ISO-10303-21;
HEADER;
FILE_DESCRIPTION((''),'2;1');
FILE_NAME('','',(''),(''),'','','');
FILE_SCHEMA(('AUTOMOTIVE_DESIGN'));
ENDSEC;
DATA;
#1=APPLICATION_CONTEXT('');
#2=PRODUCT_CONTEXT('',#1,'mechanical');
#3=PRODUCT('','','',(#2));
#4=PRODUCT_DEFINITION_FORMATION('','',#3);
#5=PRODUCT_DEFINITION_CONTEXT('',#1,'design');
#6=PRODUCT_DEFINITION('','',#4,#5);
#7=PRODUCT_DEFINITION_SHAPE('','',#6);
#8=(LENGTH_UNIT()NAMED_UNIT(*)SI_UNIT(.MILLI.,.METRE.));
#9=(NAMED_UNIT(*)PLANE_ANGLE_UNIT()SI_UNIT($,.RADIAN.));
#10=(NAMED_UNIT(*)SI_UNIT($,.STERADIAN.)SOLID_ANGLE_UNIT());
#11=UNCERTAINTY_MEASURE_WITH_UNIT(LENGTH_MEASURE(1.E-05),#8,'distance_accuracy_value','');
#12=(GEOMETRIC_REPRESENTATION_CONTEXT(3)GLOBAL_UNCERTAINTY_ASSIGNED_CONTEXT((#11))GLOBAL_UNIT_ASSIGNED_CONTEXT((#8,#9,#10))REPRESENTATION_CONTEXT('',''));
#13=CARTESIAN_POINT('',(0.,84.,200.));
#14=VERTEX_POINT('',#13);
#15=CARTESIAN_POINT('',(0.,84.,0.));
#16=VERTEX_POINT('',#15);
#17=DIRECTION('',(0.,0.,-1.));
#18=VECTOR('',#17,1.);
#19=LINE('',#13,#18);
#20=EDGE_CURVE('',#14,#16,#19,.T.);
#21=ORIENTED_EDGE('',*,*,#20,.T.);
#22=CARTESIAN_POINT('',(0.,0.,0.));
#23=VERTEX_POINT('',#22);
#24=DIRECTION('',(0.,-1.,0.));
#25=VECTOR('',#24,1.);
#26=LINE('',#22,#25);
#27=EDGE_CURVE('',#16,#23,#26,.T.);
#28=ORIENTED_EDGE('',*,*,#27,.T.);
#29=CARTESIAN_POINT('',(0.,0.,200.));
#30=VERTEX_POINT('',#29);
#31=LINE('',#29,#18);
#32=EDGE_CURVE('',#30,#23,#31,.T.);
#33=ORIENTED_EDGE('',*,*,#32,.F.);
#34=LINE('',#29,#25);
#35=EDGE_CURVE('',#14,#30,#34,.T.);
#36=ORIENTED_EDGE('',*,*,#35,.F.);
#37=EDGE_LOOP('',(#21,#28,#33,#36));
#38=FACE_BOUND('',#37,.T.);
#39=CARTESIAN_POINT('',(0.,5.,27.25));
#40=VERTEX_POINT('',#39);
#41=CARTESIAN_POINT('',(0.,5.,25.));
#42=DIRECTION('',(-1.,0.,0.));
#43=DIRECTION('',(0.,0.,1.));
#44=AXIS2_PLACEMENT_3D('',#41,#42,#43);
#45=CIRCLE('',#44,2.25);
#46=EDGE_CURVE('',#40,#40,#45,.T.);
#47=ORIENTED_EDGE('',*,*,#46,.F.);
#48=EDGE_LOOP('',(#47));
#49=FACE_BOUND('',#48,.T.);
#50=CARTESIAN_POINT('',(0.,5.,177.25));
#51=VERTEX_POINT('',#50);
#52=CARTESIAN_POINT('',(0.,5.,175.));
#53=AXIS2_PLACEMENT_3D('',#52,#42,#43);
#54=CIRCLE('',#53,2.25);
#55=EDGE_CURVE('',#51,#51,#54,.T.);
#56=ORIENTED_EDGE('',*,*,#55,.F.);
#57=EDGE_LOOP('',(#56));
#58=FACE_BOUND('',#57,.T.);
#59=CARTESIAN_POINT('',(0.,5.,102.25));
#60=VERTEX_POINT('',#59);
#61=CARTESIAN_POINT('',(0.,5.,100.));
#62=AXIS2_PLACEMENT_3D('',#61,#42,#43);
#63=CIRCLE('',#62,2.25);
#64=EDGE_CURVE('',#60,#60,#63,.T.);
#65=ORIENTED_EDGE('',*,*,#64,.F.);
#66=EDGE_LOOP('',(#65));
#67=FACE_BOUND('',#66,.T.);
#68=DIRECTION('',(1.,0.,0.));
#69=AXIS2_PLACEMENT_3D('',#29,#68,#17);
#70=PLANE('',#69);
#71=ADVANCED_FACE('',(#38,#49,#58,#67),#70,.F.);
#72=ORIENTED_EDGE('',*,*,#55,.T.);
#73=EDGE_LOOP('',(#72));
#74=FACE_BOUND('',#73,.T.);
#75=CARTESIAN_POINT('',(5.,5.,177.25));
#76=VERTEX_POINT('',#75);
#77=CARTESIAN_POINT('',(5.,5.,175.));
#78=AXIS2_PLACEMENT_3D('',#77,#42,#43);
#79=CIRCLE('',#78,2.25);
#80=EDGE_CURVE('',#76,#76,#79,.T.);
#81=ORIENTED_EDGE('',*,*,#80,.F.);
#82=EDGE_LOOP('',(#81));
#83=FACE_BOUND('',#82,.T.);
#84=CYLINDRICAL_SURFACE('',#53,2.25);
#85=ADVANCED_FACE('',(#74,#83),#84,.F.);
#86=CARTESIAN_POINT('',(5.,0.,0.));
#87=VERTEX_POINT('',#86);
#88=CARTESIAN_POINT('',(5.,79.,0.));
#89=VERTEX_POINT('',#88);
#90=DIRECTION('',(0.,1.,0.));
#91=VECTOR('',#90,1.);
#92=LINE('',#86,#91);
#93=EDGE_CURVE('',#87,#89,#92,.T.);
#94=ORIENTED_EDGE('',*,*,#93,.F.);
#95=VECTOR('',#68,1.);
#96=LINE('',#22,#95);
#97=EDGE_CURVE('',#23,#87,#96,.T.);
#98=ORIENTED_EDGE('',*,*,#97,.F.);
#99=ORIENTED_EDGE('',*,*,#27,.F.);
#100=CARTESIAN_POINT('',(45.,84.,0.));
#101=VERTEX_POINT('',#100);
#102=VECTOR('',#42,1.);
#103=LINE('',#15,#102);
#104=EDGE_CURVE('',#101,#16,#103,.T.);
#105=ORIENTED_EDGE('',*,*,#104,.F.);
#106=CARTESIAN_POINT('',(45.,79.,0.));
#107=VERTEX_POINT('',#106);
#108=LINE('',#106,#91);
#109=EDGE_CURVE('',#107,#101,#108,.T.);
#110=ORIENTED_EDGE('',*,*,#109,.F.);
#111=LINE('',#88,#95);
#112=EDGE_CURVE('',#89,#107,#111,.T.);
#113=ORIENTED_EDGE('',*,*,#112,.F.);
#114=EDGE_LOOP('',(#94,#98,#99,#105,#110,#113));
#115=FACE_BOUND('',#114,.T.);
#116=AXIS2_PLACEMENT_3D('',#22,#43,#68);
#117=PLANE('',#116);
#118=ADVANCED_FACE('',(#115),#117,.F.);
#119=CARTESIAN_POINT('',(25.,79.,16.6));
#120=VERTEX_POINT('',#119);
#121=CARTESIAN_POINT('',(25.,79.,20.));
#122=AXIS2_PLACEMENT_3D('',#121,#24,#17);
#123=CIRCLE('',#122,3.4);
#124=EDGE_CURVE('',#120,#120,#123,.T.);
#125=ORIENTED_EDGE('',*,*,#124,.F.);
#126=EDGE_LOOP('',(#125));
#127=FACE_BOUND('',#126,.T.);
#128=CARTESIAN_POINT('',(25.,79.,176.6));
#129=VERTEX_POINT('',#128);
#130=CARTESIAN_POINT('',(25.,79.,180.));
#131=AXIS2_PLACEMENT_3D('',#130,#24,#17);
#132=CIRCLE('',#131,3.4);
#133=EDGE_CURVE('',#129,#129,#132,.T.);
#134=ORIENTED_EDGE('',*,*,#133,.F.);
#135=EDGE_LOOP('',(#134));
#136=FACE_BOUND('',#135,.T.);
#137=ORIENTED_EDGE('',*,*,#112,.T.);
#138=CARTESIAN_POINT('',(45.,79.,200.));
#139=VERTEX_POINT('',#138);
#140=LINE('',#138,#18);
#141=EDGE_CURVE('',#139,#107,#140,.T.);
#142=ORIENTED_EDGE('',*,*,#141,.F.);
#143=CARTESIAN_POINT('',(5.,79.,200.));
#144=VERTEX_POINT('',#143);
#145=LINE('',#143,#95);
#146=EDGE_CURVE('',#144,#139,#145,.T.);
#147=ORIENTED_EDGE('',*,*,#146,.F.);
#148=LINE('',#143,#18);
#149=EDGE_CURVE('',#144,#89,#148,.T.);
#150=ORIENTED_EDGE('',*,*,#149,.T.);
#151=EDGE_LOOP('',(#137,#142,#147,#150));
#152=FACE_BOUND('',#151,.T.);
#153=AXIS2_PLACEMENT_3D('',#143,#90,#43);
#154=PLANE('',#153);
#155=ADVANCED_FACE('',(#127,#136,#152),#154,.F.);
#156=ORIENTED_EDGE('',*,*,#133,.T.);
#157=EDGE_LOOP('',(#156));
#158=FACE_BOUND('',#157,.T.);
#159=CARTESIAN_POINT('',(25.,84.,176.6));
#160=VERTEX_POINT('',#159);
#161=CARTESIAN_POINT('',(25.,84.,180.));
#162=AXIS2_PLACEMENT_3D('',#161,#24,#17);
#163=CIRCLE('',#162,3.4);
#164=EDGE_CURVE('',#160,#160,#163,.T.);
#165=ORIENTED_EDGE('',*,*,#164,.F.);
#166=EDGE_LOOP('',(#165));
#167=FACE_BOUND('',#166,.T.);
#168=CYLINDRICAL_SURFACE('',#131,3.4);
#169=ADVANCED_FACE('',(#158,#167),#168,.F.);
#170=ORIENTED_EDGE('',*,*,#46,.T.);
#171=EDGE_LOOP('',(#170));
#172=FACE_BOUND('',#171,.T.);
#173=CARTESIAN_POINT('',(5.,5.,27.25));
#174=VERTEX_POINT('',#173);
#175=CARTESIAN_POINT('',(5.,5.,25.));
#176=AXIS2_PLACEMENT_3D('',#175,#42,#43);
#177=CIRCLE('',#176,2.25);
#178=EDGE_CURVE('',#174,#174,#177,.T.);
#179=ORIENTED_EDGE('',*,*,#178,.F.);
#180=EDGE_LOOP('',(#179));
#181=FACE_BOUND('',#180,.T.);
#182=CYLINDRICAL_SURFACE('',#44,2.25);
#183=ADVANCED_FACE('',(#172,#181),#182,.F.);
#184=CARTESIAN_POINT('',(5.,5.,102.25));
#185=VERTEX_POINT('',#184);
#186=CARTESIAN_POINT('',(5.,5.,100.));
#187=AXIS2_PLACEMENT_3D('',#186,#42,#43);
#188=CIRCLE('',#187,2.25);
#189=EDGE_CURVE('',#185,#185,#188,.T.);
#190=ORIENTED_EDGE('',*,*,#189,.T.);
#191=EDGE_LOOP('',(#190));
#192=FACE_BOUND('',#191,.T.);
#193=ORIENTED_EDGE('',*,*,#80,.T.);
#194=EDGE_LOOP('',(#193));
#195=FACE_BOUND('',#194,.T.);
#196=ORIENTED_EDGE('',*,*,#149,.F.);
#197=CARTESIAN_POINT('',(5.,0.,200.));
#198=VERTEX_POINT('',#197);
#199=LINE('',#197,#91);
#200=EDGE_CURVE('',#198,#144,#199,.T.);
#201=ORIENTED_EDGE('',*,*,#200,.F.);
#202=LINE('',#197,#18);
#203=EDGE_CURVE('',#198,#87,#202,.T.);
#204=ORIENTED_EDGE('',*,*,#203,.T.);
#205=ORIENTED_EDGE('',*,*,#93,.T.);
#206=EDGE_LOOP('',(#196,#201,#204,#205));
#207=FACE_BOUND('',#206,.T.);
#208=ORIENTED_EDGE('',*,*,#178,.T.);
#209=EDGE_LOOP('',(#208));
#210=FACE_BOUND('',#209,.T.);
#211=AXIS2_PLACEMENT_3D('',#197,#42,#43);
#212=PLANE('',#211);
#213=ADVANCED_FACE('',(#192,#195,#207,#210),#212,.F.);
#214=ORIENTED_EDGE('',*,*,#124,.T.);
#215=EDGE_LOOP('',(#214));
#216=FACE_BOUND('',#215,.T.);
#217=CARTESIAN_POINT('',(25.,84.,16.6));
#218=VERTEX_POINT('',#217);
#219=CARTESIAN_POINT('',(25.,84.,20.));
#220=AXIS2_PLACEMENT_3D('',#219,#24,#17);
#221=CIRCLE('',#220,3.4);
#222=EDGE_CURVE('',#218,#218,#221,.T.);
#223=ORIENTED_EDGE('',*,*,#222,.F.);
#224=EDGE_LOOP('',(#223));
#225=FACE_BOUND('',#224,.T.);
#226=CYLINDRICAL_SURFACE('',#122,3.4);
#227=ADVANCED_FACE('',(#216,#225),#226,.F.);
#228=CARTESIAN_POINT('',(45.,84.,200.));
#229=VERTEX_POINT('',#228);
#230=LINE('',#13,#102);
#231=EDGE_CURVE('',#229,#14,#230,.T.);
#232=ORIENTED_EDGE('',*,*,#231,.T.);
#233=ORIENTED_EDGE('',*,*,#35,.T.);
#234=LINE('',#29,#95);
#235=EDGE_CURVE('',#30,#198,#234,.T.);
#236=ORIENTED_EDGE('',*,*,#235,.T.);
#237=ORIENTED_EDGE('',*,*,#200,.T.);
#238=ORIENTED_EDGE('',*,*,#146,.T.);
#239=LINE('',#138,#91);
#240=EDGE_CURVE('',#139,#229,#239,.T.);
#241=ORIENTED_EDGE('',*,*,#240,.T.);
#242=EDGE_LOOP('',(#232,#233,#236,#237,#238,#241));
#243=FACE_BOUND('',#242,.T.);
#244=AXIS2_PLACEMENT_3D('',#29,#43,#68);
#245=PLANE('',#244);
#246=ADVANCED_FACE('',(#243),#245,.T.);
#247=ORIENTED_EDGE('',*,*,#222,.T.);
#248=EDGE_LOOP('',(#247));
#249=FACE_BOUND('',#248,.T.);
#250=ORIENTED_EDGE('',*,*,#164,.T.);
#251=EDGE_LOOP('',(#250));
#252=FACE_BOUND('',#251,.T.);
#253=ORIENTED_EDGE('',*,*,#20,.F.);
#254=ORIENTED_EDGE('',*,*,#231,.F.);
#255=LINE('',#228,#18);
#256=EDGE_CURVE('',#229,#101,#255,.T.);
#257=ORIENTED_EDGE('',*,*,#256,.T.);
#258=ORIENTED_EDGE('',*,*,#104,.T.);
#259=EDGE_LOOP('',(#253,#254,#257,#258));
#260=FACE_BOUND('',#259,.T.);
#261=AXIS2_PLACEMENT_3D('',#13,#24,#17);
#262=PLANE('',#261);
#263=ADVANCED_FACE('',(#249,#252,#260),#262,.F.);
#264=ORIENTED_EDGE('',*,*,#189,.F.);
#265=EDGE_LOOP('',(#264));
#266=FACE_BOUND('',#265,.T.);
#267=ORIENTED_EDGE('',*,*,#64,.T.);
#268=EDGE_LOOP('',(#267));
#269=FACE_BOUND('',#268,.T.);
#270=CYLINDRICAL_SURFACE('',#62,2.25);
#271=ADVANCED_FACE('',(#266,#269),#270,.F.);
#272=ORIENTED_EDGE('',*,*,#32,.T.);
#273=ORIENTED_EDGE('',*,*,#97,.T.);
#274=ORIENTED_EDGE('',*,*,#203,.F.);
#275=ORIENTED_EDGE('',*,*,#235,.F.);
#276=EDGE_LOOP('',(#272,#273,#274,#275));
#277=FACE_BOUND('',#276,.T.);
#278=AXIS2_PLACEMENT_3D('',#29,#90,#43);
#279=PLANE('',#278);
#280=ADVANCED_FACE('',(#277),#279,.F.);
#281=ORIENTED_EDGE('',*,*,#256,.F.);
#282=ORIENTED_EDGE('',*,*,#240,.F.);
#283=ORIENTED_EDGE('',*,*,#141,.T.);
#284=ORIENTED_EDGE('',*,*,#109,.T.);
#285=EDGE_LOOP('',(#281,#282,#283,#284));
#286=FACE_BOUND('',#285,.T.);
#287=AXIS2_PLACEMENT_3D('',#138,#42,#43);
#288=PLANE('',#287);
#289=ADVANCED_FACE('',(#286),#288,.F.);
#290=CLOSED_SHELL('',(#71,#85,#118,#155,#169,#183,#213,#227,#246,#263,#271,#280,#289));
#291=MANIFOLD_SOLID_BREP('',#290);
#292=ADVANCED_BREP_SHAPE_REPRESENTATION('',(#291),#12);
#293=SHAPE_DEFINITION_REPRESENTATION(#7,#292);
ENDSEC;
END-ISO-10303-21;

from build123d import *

# Parameters (mm, degrees)
BOSS_EXTRU_1_DEPTH = 200
TROU_TARAUD_M81_D  = 6.8
D_GAGEMENT_M41_D   = 4.5


with BuildPart() as part:
    # Esquisse1 → Boss.-Extru.1 (new body)
    with BuildSketch(Plane.XY):
        Polygon((0, 0), (0, 84), (45, 84), (45, 79), (5, 79), (5, 0), align=None)
    extrude(amount=BOSS_EXTRU_1_DEPTH)

    # Trou taraudé M81 (through all)
    with Locations(Plane(origin=(0, 79, 0), x_dir=(-1, 0, 0), z_dir=(0, -1, 0))):
        with Locations((-25, -180), (-25, -20)):
            Hole(TROU_TARAUD_M81_D / 2)

    # Dégagement M41 (through all)
    with Locations(Plane.ZY):
        with Locations((175, 5), (100, 5), (25, 5)):
            Hole(D_GAGEMENT_M41_D / 2)


solid = part.part
